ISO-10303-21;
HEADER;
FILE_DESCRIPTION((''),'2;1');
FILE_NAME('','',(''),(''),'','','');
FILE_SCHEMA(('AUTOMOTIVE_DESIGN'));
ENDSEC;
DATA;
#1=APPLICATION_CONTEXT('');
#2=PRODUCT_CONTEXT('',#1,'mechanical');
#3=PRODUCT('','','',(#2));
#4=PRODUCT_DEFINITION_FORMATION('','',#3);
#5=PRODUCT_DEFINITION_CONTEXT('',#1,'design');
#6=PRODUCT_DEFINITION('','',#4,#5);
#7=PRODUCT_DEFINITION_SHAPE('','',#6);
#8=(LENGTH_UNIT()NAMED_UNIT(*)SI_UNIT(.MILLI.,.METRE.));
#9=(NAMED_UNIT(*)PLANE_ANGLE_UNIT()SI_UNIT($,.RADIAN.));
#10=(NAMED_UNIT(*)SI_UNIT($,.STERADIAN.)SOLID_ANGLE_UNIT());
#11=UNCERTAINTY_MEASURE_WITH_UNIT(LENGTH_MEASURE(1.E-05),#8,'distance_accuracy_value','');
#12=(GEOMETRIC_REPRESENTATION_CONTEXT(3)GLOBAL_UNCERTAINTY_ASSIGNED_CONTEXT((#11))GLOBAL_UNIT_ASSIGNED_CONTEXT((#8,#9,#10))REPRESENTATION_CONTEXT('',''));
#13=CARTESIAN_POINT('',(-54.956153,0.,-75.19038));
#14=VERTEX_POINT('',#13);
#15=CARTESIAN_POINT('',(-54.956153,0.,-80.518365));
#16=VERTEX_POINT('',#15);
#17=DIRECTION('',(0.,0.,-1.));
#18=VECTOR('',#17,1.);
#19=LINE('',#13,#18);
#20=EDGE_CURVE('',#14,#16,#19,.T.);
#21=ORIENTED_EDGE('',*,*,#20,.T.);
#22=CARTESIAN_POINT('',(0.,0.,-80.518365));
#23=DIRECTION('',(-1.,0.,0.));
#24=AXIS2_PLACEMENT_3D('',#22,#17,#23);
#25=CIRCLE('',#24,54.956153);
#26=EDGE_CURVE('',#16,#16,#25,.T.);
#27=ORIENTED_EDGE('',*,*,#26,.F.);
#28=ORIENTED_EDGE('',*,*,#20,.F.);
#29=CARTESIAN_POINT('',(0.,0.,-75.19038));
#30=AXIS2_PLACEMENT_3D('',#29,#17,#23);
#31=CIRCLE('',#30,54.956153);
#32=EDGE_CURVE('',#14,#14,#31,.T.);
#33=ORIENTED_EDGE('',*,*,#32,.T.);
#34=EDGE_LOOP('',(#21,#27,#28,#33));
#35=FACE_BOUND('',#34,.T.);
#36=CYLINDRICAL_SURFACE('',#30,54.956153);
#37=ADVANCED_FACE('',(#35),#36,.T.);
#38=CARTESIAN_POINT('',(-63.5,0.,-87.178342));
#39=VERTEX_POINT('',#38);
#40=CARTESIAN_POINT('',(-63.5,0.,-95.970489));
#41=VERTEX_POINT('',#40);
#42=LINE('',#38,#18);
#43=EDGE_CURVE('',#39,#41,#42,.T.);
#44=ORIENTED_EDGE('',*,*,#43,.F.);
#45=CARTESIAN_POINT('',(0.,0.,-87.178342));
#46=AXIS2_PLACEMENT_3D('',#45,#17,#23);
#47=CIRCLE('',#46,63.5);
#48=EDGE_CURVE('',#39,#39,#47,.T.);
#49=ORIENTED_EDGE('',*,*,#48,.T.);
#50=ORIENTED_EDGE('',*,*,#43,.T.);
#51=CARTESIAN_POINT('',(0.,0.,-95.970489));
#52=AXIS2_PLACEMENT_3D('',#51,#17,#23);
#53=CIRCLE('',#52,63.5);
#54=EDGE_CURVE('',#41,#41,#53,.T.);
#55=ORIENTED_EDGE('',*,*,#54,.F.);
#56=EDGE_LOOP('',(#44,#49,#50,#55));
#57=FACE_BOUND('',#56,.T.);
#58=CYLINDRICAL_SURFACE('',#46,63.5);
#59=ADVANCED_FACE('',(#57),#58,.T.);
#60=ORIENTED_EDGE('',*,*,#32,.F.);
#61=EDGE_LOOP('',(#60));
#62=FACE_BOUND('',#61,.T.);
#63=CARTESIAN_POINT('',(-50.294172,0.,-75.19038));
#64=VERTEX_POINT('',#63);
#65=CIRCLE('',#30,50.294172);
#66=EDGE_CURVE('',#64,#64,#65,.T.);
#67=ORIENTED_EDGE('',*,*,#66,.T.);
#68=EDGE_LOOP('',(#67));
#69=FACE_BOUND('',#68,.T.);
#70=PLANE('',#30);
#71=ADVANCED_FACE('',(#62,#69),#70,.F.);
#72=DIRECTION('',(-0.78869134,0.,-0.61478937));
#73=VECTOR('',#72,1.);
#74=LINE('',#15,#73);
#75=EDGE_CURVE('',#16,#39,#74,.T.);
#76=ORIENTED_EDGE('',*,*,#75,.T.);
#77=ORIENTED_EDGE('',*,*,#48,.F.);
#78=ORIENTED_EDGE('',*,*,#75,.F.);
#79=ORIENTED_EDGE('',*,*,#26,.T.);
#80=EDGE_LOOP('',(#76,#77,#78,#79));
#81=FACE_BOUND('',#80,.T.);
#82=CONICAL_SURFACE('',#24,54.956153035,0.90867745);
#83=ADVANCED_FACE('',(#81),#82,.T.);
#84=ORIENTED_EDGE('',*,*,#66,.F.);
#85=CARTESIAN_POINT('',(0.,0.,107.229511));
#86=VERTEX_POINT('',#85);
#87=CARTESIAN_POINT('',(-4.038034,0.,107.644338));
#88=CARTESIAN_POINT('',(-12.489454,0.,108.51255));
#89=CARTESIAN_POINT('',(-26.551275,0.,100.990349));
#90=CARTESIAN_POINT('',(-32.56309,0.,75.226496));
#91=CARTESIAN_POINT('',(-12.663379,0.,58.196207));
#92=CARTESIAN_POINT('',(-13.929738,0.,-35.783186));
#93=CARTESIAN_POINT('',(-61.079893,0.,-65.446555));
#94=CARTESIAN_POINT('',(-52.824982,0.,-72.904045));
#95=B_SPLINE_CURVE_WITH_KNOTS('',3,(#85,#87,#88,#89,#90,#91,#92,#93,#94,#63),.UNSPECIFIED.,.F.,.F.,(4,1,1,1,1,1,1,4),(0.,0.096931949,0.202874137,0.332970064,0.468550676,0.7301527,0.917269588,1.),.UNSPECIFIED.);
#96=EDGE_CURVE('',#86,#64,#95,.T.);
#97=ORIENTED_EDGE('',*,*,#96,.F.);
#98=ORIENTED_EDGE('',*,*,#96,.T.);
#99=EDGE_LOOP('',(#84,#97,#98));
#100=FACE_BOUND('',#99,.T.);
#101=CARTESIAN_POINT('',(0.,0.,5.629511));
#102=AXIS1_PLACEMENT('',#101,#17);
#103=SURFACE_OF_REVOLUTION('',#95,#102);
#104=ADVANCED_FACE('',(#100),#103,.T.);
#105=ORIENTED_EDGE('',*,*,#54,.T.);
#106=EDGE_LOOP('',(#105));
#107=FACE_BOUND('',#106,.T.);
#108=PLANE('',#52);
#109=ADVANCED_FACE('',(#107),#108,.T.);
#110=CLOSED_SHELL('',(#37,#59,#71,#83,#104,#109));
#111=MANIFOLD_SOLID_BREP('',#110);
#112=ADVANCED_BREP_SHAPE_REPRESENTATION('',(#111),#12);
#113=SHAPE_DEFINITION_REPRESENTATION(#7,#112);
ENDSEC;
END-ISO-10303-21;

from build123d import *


with BuildPart() as f1:
    # F0 (on Front) → F1 (revolve)
    with BuildSketch(Plane.XZ):
        with BuildLine():
            Line((-63.5, -95.9704886557), (0, -95.9704886557))
            Line((0, -95.9704886557), (0, 107.2295113443))
            add(Edge.make_bspline(
                [(0, 107.2295113443), (-4.0380336911, 107.6443376768), (-12.4894535338, 108.5125502194), (-26.551275023, 100.9903492094), (-32.5630903122, 75.2264960729), (-12.6633793563, 58.1962073113), (-13.9297379015, -35.7831855221), (-61.0798928989, -65.44655467), (-52.824981826, -72.9040453916), (-50.2941720188, -75.1903802156)],
                knots=[0, 0, 0, 0, 0.0969319493, 0.2028741368, 0.3329700637, 0.4685506761, 0.7301526998, 0.917269588, 1, 1, 1, 1], degree=3))
            Line((-50.2941720188, -75.1903802156), (-54.9561530352, -75.1903802156))
            Line((-54.9561530352, -75.1903802156), (-54.9561530352, -80.5183649063))
            Line((-54.9561530352, -80.5183649063), (-63.5, -87.1783420444))
            Line((-63.5, -87.1783420444), (-63.5, -95.9704886557))
        make_face()
    revolve(axis=Axis((0, 0, 5.6295113443), (0, 0, -1)))


solid = f1.part
